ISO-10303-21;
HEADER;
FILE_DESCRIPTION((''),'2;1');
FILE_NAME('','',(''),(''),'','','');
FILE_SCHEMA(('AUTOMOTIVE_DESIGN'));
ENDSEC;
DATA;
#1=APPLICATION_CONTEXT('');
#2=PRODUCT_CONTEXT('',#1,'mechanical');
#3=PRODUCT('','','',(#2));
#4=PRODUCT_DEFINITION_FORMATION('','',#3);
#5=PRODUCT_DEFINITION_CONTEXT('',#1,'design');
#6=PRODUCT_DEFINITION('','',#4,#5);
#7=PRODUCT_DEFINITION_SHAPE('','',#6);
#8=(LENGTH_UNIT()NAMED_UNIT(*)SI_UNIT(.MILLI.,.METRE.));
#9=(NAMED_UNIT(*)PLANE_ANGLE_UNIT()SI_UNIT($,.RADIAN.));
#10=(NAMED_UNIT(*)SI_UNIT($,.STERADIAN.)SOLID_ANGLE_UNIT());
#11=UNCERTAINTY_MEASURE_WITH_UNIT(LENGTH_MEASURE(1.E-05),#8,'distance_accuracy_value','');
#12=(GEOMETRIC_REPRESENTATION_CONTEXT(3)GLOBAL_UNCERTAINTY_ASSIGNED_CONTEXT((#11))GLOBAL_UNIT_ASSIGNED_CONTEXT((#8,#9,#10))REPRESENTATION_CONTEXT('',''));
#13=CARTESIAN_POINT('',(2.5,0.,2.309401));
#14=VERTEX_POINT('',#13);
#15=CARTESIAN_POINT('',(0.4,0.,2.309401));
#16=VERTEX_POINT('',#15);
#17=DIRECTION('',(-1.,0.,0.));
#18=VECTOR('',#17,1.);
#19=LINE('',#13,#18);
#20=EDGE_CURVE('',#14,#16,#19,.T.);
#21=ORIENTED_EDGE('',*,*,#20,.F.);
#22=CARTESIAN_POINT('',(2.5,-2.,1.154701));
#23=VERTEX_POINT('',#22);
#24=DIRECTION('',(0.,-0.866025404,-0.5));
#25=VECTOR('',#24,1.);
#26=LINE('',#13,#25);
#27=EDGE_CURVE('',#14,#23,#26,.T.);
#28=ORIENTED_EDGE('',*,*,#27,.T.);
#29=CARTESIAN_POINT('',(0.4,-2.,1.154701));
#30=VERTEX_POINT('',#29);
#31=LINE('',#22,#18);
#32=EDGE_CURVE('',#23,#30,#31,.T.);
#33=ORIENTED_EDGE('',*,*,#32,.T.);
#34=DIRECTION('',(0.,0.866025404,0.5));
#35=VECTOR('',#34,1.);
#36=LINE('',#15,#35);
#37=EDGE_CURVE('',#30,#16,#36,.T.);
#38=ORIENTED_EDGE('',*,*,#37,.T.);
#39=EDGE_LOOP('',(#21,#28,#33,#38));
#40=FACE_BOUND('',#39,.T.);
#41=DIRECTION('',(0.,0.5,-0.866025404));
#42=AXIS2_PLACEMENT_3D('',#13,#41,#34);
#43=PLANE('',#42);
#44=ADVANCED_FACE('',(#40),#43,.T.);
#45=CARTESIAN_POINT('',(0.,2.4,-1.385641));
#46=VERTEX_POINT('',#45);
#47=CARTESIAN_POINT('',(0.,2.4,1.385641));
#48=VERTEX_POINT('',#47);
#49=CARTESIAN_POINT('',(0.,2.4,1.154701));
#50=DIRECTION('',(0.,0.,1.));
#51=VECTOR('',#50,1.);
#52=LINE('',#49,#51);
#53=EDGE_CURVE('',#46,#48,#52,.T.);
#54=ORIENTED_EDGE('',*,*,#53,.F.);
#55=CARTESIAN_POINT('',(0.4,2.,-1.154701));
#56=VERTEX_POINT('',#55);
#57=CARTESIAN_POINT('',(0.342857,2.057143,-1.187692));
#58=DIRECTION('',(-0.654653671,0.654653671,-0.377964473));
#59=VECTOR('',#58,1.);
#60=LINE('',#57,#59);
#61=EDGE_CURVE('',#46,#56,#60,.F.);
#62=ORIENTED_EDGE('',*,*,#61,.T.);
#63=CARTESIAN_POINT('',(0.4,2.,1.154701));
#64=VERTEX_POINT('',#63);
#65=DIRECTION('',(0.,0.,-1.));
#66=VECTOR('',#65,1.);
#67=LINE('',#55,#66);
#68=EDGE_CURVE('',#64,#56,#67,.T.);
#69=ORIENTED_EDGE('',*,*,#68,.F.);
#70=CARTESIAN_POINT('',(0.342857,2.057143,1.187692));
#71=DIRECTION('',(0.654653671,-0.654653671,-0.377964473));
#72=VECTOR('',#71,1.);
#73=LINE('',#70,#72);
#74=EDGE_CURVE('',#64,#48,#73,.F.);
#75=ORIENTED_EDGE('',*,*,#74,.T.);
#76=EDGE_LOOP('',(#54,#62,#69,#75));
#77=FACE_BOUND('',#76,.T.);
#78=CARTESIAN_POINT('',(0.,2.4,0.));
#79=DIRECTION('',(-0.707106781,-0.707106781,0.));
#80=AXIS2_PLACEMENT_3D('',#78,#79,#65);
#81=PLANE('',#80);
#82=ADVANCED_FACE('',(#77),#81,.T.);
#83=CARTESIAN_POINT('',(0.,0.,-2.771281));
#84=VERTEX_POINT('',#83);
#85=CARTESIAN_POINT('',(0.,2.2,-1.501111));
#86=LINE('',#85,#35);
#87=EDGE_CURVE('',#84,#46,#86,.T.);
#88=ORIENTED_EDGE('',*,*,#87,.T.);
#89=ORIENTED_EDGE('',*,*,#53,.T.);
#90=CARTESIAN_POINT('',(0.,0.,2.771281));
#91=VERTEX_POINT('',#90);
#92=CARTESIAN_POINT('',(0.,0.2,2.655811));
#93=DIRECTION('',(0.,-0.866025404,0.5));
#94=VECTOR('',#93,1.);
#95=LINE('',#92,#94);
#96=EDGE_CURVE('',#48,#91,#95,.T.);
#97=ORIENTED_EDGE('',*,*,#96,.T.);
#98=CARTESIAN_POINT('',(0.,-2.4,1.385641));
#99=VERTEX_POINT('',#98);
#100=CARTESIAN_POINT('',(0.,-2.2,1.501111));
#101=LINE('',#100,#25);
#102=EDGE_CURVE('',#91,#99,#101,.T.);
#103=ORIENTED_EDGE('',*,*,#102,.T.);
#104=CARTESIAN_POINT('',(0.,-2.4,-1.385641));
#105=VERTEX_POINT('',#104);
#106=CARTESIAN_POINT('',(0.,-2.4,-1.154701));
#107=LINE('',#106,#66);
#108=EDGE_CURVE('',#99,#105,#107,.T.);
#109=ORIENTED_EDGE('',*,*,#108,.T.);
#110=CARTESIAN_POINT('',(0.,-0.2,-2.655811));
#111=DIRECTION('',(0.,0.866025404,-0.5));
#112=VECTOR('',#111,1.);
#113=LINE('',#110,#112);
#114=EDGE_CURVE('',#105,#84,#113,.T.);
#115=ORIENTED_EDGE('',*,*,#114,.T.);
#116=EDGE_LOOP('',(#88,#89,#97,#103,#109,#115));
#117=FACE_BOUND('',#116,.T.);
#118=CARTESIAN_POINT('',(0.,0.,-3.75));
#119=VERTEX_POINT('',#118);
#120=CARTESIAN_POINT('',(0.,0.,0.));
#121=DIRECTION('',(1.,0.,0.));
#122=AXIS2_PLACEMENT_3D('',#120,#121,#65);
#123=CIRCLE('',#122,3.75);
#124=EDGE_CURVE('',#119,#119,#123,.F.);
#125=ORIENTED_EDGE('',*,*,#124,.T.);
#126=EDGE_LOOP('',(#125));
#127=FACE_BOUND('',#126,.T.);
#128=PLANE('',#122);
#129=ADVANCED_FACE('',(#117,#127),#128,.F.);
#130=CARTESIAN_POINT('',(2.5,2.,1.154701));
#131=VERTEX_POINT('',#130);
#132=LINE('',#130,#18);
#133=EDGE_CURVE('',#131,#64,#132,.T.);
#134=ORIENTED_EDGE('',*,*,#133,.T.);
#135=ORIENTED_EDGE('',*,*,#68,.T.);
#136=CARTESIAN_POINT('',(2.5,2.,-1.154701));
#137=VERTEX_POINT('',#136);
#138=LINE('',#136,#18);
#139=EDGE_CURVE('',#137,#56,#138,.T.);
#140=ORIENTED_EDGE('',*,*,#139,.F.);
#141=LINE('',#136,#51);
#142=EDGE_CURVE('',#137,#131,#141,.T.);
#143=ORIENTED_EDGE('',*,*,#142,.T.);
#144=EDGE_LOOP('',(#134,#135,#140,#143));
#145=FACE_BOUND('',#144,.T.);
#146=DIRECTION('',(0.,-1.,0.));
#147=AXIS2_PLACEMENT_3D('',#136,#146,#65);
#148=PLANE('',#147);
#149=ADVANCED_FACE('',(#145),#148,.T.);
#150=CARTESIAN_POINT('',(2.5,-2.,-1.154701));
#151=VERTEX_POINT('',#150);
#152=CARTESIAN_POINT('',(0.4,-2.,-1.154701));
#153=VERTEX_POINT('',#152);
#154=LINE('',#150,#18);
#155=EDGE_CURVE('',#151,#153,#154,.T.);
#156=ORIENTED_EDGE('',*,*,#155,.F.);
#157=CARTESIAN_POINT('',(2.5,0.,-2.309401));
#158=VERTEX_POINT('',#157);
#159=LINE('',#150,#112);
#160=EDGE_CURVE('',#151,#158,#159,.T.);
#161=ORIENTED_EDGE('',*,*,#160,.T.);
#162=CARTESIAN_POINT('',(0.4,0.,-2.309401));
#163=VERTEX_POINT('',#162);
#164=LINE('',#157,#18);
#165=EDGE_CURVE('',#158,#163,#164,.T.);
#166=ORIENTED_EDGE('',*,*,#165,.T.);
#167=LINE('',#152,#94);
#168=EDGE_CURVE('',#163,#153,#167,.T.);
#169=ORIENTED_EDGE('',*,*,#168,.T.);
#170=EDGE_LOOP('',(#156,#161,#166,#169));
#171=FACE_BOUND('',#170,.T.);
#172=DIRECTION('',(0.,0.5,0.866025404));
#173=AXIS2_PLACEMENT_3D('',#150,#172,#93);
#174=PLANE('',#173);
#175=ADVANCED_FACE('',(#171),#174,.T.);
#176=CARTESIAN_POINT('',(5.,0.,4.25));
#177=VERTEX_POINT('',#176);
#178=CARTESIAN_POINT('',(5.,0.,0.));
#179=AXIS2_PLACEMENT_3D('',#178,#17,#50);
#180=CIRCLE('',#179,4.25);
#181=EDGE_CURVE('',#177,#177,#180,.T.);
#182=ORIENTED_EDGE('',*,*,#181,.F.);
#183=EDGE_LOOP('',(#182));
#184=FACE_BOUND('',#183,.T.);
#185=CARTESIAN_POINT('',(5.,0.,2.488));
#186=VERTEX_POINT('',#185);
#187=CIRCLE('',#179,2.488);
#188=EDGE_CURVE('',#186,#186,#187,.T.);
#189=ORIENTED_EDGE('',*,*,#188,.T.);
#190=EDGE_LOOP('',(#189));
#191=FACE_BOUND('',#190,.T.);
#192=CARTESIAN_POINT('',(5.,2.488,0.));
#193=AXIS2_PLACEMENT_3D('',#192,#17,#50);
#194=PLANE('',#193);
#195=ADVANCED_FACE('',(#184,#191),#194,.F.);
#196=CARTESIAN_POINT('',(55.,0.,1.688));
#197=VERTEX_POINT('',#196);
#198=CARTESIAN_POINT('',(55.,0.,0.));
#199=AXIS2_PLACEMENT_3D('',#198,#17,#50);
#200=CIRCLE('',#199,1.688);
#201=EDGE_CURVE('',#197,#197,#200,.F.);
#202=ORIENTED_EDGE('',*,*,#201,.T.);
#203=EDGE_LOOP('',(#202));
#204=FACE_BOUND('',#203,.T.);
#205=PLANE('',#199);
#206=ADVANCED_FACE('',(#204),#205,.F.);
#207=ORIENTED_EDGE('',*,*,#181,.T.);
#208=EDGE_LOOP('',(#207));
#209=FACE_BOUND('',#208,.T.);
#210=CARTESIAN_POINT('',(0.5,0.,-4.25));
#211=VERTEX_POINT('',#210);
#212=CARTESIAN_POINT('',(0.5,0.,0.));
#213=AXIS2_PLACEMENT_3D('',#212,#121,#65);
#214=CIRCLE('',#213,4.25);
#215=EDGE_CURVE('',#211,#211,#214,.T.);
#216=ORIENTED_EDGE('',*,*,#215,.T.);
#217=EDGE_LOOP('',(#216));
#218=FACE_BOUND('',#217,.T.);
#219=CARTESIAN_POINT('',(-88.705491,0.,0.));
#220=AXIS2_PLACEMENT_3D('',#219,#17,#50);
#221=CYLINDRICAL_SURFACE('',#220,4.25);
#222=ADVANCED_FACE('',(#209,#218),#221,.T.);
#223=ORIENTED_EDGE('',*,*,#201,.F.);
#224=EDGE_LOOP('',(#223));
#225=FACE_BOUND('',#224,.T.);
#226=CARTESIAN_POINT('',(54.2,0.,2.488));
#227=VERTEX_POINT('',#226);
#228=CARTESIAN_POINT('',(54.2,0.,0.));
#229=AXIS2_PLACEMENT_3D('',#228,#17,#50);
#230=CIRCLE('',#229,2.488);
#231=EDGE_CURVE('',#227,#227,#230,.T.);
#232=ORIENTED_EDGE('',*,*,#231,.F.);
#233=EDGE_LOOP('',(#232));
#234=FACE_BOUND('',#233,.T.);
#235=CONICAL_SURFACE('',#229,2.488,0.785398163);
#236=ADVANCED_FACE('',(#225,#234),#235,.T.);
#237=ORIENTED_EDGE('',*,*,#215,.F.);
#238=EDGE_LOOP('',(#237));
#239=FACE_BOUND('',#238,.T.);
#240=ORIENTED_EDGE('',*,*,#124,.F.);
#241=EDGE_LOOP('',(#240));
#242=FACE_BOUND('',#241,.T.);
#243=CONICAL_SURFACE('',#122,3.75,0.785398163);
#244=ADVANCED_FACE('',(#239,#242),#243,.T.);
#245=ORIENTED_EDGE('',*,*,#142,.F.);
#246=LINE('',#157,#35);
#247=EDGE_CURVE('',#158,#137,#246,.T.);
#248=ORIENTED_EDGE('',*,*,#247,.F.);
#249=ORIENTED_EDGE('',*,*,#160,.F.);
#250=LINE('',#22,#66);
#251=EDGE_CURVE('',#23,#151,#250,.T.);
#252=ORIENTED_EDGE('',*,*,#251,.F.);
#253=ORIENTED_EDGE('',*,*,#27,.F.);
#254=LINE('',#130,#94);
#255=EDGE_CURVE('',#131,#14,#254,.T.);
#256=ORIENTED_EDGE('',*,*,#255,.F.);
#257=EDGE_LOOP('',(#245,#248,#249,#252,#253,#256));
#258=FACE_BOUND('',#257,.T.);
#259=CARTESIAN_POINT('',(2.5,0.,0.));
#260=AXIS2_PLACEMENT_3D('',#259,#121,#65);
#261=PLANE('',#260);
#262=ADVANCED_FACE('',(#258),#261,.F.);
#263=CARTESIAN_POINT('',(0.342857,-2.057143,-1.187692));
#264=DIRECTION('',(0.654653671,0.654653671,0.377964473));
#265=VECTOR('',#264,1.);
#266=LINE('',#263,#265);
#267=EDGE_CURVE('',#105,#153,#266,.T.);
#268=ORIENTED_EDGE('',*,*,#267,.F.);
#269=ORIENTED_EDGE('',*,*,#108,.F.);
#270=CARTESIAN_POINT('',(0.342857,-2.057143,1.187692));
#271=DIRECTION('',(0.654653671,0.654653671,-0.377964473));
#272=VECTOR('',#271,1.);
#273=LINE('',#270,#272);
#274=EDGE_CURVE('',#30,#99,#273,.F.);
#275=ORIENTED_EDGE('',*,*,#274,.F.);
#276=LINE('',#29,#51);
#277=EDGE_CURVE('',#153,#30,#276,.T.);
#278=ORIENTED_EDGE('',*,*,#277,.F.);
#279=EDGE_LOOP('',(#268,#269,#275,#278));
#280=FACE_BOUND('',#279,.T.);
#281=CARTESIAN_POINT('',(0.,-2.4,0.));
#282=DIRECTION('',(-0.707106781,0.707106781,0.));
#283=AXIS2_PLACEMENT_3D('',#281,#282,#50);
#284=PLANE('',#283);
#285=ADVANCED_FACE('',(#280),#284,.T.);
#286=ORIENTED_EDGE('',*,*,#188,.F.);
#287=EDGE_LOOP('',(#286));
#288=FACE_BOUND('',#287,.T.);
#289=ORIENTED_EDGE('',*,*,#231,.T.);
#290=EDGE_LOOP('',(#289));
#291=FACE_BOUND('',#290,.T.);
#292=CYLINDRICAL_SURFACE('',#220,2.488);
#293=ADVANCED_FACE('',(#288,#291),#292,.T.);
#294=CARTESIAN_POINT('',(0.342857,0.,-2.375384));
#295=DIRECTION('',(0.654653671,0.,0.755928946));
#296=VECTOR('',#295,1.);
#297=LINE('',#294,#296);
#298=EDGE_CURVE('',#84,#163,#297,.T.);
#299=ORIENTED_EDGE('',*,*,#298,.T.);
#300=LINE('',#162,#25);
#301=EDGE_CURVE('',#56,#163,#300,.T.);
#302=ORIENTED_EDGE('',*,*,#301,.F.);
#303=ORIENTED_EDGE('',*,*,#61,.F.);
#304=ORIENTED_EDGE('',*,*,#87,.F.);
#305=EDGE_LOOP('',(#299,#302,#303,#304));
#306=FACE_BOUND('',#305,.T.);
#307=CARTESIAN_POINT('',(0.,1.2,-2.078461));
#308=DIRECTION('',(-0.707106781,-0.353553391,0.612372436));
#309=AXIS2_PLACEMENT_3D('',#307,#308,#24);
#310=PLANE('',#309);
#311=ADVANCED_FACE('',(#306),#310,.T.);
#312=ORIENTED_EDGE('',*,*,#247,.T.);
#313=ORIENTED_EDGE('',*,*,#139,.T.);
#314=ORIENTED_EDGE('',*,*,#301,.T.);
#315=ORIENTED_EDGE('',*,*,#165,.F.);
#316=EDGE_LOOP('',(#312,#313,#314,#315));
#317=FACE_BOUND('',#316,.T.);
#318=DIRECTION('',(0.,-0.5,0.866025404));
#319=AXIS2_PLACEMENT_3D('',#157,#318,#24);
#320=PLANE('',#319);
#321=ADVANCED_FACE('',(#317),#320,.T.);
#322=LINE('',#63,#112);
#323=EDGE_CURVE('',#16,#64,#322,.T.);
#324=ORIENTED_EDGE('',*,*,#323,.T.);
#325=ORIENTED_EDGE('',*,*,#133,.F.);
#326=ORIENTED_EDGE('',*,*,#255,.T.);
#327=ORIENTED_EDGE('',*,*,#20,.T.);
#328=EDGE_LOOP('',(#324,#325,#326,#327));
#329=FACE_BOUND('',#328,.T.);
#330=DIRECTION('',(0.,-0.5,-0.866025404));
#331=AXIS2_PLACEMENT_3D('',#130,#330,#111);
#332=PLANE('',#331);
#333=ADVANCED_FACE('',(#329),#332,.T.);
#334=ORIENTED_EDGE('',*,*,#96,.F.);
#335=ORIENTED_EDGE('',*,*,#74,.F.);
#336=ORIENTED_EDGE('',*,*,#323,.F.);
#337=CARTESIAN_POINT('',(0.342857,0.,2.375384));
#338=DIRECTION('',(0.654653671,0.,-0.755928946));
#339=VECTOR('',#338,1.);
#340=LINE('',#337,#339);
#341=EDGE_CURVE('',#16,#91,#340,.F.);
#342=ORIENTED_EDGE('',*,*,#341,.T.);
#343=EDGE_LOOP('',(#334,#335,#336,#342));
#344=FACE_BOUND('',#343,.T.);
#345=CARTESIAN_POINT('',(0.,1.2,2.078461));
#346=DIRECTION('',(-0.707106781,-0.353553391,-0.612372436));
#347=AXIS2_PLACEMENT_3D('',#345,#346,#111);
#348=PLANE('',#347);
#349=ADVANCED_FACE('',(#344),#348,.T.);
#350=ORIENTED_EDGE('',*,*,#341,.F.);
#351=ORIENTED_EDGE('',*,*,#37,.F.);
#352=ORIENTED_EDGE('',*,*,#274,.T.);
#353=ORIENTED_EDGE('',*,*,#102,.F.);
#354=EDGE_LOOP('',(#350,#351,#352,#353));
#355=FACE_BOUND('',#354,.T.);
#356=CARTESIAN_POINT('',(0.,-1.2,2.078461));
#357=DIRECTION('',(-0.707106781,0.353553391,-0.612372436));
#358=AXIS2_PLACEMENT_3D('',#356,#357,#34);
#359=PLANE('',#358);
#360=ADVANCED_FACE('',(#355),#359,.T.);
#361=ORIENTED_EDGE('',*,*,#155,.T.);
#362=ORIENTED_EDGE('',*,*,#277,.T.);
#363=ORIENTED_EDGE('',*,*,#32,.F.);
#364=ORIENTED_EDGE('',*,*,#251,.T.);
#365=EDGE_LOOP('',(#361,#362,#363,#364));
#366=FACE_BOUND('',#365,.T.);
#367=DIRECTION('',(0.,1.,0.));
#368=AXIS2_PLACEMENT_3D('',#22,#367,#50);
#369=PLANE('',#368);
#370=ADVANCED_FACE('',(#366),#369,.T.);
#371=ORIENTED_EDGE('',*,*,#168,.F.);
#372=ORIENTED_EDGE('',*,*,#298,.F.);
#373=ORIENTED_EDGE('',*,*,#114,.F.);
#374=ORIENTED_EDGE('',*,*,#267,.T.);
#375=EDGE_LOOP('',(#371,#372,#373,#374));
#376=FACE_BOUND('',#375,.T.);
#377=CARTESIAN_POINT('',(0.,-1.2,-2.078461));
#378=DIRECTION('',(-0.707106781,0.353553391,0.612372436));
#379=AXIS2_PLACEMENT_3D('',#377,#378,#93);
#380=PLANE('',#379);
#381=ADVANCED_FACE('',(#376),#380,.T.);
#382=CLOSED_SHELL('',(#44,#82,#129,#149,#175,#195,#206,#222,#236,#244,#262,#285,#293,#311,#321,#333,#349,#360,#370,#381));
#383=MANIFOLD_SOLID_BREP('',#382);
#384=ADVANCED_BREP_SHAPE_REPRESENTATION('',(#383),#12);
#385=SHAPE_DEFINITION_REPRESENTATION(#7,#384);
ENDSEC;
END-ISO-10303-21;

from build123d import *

# Parameters (mm, degrees)
CHAMFER1_SIZE      = 0.8
CHAMFER2_SIZE      = 0.5
CUT_EXTRUDE1_DEPTH = 2.5
CHAMFER3_SIZE      = 0.4


with BuildPart() as part:
    # Sketch1 → Revolve1 (revolve)
    with BuildSketch(Plane.XY):
        Polygon((0, 0), (0, 4.25), (5, 4.25), (5, 2.488), (55, 2.488), (55, 0), align=None)
    revolve(axis=Axis((-88.705490849, 0, 0), (1, 0, 0)))

    # Chamfer1
    chamfer1_edges = [part.edges().sort_by_distance(p)[0] for p in [
        (55, -2.488, 0),
    ]]
    chamfer(chamfer1_edges, length=CHAMFER1_SIZE)

    # Chamfer2
    chamfer2_edges = [part.edges().sort_by_distance(p)[0] for p in [
        (0, -4.25, 0),
    ]]
    chamfer(chamfer2_edges, length=CHAMFER2_SIZE)

    # Sketch3 → Cut-Extrude1 (cut)
    with BuildSketch(Plane(origin=(0, 0, 0), x_dir=(0, 0, -1), z_dir=(1, 0, 0))):
        Polygon((-2.309401077, 0), (-1.154700538, -2), (1.154700538, -2), (2.309401077, 0), (1.154700538, 2), (-1.154700538, 2), align=None)
    extrude(amount=CUT_EXTRUDE1_DEPTH, mode=Mode.SUBTRACT)

    # Chamfer3
    chamfer3_edges = [part.edges().sort_by_distance(p)[0] for p in [
        (0, 1, 1.732050808),
        (0, -1, 1.732050808),
        (0, -2, 0),
        (0, -1, -1.732050808),
        (0, 1, -1.732050808),
        (0, 2, 0),
    ]]
    chamfer(chamfer3_edges, length=CHAMFER3_SIZE)


solid = part.part
